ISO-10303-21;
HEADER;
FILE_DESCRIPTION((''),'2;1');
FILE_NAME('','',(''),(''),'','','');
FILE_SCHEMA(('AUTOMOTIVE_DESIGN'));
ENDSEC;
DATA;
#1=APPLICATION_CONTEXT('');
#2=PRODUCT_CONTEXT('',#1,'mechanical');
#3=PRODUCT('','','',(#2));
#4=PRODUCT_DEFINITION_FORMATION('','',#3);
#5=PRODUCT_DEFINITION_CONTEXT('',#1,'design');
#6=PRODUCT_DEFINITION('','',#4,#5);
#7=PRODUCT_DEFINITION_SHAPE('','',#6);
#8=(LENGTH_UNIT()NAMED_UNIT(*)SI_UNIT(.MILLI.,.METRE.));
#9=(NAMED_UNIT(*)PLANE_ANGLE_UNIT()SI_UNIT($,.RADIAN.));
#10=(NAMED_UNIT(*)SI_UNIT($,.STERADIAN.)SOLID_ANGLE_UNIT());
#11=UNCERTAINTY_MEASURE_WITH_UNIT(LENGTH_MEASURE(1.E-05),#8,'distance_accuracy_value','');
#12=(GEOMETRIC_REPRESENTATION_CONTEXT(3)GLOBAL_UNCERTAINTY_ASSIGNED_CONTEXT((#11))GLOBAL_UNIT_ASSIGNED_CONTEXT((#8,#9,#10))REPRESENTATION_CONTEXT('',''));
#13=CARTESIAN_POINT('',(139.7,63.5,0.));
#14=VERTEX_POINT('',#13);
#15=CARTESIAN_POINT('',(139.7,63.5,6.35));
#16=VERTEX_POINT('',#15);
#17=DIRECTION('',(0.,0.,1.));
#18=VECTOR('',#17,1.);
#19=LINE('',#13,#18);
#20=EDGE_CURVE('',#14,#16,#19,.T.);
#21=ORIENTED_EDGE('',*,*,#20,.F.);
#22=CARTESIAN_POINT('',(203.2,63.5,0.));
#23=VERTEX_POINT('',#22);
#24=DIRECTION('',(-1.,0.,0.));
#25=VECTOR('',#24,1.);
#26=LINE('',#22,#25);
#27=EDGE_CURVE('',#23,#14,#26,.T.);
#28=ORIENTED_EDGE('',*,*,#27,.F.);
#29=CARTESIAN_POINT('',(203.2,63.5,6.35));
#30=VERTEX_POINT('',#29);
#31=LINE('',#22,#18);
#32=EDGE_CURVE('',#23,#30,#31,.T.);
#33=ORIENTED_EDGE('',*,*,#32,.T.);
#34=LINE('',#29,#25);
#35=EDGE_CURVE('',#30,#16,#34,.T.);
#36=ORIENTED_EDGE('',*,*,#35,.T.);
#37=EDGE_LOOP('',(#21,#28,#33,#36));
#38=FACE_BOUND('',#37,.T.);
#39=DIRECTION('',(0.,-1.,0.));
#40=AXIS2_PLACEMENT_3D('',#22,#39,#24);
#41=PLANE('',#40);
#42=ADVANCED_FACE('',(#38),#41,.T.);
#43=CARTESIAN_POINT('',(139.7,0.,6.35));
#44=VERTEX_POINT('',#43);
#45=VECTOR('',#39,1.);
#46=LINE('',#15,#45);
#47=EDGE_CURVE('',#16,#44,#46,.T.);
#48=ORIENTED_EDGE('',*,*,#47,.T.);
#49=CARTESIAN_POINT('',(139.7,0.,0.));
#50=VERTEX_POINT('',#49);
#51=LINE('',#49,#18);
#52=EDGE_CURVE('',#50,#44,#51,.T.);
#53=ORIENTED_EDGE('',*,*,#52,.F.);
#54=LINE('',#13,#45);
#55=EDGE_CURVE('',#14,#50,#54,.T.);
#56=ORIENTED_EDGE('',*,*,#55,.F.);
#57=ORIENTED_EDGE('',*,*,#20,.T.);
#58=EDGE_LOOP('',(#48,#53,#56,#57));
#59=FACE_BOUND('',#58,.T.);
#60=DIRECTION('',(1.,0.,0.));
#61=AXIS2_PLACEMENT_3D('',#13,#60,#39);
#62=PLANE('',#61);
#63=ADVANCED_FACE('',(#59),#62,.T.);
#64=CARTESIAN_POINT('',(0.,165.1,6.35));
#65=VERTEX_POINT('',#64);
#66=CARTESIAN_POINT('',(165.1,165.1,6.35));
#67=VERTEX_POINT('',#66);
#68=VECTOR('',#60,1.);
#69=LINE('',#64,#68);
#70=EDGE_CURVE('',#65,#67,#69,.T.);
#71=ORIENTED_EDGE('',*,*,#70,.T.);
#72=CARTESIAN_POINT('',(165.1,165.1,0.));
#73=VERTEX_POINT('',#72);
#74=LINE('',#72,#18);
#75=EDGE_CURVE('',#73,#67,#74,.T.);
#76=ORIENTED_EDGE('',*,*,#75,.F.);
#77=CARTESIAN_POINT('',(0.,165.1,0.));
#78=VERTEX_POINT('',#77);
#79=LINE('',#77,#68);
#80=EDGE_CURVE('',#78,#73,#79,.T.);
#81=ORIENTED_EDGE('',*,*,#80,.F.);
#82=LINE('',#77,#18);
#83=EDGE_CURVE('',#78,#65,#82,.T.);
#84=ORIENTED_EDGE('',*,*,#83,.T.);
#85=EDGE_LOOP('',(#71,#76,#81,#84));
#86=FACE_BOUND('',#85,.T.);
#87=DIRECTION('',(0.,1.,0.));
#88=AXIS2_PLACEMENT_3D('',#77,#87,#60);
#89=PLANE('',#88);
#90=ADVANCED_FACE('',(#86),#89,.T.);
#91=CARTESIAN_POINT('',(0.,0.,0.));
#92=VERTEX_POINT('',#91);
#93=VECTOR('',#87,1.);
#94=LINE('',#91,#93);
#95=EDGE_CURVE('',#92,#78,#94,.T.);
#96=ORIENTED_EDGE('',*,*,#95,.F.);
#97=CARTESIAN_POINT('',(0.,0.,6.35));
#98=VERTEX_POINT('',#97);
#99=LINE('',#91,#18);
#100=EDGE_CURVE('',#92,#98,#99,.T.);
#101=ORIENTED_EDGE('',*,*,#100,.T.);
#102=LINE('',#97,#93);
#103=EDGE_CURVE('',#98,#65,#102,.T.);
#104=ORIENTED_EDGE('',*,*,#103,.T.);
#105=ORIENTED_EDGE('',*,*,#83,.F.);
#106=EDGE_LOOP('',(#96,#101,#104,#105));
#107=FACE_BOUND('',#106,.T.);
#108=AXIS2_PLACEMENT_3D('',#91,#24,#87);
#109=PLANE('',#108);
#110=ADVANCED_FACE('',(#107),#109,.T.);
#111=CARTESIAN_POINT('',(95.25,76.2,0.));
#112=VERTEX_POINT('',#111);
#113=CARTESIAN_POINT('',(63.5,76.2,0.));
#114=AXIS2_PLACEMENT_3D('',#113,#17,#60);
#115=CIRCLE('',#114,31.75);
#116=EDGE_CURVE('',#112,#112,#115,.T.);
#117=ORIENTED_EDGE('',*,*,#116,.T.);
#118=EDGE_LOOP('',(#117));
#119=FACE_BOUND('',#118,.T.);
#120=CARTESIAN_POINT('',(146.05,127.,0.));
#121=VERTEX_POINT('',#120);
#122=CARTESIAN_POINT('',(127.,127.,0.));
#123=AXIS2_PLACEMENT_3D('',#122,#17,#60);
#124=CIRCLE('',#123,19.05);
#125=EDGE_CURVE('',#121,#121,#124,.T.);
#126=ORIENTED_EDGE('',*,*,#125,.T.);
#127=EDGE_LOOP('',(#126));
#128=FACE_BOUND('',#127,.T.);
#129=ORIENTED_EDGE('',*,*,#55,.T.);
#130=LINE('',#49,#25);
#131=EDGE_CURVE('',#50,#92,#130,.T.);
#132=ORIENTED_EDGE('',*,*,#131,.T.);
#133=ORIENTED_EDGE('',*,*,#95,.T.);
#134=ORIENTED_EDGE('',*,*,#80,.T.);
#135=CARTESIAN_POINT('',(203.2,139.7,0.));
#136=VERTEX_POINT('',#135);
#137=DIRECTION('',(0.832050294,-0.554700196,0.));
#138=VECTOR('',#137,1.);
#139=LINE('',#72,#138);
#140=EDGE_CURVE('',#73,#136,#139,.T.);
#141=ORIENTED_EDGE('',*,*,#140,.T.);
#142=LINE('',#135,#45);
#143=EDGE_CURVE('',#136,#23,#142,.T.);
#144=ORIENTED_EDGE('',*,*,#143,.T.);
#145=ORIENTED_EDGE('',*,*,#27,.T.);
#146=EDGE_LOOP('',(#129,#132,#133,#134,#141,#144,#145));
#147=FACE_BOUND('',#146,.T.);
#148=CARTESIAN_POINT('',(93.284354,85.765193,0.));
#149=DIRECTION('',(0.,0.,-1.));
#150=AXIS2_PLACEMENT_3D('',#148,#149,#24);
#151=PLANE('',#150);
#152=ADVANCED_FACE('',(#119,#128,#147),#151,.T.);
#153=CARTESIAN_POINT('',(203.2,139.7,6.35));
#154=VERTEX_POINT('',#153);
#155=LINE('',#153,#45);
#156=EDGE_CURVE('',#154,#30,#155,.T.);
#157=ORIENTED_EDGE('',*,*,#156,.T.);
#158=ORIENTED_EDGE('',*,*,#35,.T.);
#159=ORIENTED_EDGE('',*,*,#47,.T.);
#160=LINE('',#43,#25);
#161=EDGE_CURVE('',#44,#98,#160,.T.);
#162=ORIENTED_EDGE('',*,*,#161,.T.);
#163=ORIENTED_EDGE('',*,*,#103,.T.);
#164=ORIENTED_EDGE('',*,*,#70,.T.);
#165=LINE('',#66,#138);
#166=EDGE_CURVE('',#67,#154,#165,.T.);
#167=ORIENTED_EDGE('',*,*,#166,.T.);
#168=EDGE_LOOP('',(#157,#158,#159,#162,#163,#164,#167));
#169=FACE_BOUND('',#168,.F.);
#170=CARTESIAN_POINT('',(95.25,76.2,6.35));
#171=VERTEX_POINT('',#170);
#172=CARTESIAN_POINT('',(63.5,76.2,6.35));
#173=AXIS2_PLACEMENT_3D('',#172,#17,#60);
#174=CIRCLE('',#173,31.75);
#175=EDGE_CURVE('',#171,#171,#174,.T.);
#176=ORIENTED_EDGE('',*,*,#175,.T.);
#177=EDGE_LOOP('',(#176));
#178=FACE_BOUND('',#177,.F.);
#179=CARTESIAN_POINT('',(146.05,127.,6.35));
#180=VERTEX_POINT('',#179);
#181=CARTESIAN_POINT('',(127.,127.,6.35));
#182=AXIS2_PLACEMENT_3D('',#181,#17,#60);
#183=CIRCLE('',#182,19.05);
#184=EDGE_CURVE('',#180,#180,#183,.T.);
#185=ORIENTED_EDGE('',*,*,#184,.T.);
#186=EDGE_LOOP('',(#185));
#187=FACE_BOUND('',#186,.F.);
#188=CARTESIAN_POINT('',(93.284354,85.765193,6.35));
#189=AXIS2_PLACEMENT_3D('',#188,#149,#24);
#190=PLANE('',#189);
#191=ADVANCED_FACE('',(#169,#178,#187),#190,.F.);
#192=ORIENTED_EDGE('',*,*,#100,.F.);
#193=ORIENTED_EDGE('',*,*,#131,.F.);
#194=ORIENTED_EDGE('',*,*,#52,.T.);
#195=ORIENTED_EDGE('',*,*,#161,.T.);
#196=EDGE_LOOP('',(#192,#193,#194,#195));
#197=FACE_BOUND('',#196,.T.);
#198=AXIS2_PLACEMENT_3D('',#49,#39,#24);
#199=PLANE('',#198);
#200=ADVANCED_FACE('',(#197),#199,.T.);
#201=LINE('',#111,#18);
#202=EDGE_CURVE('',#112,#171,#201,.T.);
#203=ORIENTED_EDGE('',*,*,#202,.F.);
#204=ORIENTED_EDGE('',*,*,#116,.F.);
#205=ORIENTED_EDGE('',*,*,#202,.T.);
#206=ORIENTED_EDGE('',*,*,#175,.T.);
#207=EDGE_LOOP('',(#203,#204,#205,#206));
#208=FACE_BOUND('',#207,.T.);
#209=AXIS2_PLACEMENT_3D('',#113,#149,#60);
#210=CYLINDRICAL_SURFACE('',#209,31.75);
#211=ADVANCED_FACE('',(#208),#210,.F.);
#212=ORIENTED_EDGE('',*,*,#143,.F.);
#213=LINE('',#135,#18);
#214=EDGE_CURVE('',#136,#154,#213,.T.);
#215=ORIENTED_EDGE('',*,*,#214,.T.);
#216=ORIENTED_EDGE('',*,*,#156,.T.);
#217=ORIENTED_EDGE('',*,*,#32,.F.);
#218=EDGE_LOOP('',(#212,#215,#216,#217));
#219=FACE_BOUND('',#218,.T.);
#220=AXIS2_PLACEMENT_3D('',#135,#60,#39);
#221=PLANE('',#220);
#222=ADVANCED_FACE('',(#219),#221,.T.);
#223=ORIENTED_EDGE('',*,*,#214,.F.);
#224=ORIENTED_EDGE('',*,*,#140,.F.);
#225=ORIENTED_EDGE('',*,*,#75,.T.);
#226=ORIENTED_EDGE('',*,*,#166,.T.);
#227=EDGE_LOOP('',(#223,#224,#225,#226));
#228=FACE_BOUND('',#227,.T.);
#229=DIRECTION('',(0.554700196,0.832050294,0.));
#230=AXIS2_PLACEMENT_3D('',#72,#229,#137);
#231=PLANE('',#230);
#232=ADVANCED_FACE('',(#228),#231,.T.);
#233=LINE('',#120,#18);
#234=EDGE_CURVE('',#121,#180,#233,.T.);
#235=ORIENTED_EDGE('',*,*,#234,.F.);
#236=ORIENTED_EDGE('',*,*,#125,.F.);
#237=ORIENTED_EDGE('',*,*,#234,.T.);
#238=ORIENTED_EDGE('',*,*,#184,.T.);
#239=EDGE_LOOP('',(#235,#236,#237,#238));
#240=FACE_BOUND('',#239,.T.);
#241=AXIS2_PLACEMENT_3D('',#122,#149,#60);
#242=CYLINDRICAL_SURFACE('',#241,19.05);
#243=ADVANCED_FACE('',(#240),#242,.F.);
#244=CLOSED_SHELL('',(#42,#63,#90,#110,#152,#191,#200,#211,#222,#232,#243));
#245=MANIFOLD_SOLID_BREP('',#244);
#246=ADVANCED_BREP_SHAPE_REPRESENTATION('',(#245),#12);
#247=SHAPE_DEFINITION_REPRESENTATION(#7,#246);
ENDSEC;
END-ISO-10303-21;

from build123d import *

# Parameters (mm, degrees)
SKETCH2_R           = 31.75
SKETCH2_R_2         = 19.05
BOSS_EXTRUDE1_DEPTH = 6.35


with BuildPart() as part:
    # Sketch2 → Boss-Extrude1 (new body)
    with BuildSketch(Plane.XY):
        Polygon((0, 0), (0, 165.1), (165.1, 165.1), (203.2, 139.7), (203.2, 63.5), (139.7, 63.5), (139.7, 0), align=None)
        with Locations((63.5, 76.2)):
            Circle(SKETCH2_R, mode=Mode.SUBTRACT)
        with Locations((127, 127)):
            Circle(SKETCH2_R_2, mode=Mode.SUBTRACT)
    extrude(amount=BOSS_EXTRUDE1_DEPTH)


solid = part.part
